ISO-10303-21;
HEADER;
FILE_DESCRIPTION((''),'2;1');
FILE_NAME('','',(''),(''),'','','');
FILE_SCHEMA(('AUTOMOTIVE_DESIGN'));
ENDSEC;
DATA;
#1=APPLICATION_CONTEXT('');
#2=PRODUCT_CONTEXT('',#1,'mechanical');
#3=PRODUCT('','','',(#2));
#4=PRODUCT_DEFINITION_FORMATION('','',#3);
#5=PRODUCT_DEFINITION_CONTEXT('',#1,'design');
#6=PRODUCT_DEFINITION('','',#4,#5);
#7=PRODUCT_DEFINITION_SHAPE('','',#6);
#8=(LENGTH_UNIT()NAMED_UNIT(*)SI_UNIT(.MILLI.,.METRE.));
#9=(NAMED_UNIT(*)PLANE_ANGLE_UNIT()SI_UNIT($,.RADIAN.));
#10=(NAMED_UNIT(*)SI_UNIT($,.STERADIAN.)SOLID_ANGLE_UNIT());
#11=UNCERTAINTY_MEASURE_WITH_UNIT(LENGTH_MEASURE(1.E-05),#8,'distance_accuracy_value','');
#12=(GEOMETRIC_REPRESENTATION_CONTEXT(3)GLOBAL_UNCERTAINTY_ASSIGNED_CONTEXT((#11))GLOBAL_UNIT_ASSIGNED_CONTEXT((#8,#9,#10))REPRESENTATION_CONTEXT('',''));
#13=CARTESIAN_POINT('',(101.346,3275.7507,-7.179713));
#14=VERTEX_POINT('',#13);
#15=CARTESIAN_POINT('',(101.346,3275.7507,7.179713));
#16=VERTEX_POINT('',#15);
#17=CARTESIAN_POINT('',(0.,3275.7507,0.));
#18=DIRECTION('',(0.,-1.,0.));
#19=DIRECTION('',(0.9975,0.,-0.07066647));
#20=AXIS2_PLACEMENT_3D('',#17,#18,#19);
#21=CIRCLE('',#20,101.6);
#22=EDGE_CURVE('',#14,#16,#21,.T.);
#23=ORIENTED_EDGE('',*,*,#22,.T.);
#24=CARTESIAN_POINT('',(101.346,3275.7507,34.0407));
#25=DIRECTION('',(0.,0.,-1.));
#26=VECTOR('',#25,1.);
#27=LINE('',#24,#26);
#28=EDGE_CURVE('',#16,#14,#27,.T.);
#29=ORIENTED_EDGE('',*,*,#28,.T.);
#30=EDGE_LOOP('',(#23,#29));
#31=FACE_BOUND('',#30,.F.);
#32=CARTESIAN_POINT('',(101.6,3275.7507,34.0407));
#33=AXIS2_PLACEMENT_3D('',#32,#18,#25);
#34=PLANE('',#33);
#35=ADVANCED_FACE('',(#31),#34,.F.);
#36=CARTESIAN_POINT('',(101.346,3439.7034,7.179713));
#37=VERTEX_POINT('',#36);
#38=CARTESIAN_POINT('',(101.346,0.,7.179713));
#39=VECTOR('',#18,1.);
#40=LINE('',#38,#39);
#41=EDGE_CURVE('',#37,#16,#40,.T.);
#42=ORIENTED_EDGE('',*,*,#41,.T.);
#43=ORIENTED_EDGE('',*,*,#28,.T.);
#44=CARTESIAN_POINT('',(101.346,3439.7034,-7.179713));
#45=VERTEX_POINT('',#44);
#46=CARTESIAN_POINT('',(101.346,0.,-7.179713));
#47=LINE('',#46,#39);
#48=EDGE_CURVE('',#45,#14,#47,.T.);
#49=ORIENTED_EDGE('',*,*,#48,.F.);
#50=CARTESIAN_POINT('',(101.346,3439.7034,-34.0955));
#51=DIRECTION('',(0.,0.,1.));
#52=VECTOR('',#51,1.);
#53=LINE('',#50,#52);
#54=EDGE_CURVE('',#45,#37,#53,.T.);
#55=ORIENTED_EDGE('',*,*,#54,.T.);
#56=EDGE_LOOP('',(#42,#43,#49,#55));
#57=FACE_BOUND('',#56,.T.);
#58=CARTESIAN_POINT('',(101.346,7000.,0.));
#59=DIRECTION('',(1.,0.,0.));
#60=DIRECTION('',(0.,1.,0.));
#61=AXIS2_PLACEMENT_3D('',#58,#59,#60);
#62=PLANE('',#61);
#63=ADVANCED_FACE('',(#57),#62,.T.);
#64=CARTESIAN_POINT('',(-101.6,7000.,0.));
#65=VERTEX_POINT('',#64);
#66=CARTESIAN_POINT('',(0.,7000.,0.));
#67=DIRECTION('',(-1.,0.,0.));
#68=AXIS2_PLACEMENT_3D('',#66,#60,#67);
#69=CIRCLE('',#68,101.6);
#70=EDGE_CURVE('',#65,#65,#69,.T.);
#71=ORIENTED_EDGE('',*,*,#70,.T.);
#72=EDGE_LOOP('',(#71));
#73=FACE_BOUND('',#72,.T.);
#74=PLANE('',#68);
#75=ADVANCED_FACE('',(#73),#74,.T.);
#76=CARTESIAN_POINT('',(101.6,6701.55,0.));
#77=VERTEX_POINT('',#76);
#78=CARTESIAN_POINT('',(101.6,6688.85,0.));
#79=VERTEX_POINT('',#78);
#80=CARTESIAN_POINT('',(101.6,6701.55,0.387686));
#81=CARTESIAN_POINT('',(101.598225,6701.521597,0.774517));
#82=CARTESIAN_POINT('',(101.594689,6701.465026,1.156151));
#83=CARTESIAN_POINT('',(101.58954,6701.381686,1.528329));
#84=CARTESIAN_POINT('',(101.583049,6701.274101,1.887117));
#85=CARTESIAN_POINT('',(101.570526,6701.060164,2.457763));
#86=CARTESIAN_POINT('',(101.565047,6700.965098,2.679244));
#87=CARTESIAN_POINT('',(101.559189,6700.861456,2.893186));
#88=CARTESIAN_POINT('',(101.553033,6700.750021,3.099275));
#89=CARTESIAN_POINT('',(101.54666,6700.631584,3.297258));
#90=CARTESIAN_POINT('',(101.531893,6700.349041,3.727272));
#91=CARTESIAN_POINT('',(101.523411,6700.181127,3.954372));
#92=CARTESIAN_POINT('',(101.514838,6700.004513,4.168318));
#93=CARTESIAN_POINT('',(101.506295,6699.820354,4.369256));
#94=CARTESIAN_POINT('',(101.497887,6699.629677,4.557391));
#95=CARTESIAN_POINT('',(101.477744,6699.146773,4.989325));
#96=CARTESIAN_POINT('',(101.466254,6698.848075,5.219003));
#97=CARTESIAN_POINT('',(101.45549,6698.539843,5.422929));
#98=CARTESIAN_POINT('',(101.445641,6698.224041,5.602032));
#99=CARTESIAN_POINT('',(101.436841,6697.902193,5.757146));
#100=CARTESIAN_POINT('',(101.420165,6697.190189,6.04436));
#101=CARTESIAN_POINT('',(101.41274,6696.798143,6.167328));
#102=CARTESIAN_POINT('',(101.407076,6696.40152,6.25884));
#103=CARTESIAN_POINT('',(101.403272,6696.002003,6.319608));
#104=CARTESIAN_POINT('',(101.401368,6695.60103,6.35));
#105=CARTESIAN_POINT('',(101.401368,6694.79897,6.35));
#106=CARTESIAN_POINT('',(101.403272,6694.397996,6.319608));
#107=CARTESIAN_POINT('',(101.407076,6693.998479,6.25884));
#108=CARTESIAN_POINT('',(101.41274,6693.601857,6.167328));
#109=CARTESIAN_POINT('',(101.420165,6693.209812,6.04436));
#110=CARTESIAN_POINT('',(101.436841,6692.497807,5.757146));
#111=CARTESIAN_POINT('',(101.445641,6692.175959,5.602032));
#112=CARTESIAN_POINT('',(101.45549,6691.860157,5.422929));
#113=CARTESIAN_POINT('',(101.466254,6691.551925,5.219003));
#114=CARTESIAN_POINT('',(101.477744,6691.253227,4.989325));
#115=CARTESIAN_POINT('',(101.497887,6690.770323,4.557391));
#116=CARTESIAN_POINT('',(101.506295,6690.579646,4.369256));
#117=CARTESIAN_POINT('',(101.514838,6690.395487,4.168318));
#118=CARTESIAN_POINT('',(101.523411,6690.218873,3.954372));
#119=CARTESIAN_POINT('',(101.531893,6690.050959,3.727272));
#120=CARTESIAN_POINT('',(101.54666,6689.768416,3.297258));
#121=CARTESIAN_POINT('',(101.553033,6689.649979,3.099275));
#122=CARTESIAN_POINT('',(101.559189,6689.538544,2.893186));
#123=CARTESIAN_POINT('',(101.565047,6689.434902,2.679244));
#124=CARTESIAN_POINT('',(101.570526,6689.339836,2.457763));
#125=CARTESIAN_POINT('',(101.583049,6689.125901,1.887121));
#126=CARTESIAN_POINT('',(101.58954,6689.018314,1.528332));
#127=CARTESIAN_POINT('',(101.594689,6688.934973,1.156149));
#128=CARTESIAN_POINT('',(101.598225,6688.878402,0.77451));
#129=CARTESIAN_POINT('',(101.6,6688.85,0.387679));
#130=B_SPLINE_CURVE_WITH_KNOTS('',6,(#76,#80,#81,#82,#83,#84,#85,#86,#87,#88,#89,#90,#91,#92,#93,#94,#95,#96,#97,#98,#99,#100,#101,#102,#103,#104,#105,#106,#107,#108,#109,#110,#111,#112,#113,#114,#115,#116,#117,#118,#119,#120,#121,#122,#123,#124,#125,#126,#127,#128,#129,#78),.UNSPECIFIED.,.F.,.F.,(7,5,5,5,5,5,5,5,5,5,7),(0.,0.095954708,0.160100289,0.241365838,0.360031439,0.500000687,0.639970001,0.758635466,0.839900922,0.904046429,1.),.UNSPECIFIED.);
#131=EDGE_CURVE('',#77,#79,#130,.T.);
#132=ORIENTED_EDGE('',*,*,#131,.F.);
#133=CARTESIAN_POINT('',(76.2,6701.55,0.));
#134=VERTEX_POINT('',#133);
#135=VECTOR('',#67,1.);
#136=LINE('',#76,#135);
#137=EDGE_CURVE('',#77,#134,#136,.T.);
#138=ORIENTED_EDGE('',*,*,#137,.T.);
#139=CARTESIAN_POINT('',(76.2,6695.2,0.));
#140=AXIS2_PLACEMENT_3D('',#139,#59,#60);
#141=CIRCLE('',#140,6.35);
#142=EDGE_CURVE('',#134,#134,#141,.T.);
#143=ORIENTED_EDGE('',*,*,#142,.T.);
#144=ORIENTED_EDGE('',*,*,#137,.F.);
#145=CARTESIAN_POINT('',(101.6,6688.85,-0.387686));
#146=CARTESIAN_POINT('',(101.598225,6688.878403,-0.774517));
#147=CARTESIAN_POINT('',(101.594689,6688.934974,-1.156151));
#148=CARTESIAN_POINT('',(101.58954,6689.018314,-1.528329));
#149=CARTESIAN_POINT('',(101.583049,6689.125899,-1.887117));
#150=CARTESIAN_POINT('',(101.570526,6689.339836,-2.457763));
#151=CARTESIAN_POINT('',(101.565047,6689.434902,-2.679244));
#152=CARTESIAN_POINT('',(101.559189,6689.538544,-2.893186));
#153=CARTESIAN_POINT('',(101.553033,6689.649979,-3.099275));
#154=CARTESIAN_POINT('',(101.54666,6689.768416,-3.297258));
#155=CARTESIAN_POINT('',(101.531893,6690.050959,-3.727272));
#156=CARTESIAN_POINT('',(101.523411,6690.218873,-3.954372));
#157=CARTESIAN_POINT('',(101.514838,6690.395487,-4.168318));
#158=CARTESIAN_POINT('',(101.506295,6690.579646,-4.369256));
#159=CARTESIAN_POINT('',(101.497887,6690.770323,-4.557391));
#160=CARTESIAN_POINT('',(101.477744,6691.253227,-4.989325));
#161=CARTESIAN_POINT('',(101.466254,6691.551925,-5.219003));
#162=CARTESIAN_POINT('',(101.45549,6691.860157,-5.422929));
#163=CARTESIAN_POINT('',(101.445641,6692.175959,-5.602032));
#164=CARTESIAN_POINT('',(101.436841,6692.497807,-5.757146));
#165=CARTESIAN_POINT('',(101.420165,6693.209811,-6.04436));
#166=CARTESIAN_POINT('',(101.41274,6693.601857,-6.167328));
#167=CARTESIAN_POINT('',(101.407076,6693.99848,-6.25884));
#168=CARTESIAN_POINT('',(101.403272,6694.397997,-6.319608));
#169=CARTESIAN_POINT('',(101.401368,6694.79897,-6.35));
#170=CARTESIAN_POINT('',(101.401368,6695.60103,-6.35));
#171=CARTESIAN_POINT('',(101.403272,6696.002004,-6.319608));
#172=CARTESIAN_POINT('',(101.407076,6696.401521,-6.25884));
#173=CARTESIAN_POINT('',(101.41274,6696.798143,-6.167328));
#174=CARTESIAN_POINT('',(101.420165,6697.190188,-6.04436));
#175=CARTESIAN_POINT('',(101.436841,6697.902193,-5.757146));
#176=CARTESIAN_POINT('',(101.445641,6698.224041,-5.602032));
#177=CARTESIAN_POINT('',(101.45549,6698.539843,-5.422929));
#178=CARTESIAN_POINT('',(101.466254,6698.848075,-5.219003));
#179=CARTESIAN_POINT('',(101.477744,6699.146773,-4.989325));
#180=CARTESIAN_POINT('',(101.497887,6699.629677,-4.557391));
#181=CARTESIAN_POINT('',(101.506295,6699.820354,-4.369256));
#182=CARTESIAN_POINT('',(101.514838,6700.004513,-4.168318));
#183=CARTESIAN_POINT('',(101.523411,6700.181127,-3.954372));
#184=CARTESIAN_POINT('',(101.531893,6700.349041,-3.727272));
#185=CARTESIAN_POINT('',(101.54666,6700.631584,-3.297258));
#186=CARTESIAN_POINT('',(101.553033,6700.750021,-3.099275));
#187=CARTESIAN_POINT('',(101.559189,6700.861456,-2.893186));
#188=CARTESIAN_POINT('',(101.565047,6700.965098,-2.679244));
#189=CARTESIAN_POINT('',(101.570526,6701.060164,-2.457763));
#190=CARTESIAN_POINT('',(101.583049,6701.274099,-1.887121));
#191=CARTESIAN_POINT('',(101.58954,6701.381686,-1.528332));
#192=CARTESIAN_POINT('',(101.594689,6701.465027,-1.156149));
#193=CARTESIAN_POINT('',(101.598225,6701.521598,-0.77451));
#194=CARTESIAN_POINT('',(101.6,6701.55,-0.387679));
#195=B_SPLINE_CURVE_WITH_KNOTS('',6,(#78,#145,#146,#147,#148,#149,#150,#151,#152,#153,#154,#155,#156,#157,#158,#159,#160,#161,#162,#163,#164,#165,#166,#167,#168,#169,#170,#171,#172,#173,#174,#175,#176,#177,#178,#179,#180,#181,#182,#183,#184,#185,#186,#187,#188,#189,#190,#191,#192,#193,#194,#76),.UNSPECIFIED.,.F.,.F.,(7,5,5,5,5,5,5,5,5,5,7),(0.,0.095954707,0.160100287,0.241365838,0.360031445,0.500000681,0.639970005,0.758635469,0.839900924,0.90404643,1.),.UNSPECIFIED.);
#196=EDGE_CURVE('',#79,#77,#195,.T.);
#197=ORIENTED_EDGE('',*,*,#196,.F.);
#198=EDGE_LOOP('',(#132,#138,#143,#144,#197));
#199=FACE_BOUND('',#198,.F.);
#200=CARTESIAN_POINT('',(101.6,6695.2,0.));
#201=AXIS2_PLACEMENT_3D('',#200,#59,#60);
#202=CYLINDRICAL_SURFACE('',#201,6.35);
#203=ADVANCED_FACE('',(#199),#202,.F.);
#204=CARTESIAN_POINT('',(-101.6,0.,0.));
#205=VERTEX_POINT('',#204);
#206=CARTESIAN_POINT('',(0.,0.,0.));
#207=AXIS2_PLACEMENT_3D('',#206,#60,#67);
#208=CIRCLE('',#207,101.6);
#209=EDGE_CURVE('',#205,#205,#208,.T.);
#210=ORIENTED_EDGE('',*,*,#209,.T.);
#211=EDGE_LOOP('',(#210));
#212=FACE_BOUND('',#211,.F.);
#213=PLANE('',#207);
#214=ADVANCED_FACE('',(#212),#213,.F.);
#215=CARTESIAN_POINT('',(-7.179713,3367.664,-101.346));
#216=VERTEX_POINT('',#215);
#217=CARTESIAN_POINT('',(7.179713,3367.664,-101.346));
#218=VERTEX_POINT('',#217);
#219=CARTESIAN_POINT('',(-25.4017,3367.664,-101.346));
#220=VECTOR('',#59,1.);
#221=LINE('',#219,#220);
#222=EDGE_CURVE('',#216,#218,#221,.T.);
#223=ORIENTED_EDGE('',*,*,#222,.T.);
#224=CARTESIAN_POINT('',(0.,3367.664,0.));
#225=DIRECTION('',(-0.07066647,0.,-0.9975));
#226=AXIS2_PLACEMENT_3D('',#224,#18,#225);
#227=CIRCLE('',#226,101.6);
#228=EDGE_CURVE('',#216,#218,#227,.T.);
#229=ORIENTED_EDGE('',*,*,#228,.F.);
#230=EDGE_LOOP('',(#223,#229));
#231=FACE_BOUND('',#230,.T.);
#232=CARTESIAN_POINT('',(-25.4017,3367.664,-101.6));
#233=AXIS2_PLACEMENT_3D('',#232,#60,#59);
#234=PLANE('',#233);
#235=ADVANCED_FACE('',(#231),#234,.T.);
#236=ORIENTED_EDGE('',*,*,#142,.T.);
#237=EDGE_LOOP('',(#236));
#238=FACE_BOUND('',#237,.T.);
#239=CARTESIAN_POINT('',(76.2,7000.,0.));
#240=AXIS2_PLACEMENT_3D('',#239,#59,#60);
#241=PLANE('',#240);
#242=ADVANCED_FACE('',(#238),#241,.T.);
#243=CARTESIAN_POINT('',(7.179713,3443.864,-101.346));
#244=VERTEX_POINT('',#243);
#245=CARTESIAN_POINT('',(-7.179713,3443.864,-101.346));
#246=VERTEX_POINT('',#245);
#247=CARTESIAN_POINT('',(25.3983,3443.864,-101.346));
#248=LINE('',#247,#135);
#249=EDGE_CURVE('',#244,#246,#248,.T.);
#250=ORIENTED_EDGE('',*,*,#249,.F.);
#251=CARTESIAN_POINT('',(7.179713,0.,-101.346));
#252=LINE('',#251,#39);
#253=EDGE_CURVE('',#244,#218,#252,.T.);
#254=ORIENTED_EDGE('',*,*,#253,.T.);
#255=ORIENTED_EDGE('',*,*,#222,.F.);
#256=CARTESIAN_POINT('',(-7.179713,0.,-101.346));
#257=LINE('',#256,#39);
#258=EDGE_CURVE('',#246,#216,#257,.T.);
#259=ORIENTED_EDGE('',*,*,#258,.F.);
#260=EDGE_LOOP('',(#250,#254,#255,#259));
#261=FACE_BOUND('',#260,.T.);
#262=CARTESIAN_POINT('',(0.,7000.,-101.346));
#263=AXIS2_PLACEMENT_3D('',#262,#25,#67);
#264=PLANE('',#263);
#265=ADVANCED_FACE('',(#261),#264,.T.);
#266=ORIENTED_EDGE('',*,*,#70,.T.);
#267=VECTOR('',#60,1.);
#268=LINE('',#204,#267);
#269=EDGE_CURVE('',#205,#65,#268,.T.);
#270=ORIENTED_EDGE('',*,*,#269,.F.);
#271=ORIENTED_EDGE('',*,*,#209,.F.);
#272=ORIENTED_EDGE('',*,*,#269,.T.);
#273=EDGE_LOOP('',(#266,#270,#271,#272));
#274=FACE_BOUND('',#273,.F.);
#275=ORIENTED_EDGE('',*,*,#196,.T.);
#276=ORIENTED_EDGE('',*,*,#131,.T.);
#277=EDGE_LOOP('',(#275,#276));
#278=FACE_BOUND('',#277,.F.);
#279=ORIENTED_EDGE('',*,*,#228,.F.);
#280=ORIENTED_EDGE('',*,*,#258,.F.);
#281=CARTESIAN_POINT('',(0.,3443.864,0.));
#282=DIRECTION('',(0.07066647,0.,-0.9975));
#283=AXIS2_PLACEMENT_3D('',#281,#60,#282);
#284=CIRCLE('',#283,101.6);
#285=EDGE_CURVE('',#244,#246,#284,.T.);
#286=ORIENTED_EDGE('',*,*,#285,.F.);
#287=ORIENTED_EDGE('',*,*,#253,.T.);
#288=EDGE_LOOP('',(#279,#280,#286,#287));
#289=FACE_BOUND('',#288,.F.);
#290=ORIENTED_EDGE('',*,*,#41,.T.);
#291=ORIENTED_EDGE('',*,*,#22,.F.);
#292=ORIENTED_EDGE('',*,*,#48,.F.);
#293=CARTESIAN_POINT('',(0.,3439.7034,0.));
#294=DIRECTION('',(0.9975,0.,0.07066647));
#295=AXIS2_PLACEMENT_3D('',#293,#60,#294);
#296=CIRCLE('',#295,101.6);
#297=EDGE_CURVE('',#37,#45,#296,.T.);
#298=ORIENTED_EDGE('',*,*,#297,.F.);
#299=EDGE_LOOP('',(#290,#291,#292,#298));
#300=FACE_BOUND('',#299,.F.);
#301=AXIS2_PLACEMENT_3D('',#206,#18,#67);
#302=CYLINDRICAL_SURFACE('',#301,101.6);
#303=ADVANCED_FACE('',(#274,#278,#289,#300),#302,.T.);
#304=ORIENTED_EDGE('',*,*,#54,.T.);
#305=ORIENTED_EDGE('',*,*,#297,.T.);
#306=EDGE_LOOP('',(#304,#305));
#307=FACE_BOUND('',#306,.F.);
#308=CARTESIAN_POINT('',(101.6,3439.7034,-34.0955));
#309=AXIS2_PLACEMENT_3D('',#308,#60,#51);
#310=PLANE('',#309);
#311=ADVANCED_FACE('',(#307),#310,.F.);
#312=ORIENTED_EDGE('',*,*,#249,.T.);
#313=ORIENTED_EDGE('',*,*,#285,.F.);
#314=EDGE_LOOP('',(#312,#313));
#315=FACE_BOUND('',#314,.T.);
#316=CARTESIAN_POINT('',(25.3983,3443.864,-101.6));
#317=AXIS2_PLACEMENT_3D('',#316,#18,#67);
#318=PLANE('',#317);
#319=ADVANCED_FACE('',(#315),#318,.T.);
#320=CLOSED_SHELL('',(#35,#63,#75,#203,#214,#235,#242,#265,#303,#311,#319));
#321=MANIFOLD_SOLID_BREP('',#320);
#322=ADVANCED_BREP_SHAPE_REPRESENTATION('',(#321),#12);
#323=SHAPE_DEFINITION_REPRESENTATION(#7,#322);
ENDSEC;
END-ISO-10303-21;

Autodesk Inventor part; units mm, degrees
ref_plane "YZ Plane" through (0, 0, 0) normal (1, 0, 0) x (0, 1, 0)
sketch "Sketch1" plane through (0, 0, 0) normal (0, 1, 0) x (-1, 0, 0)
  circle A0 centre (0, 0) radius 101.6
  dimension "d0" = 203.2
extrude "Extrusion1" add sketch "Sketch1" along normal blind 7000
sketch "Sketch2" plane through (0, 0, 0) normal (0, -1, 0) x (1, 0, 0)
  circle A0 centre (0, 0) radius 101.6 projected
extrude "Extrusion2" [suppressed]
sketch "Sketch3" plane through (0, 7000, 0) normal (0, 1, 0) x (1, 0, 0)
  circle A0 centre (0, 0) radius 101.6 projected
  point P0 (101.6, 0)
ref_plane "Work Plane1" through (101.6, 7000, 0) normal (1, 0, 0) x (0, 1, 0)
sketch "Sketch4" plane through (101.6, 7000, 0) normal (1, 0, 0) x (0, 1, 0)
  line L0 (-3724.2493, -34.0955) -> (-3560.2966, -34.0955)
  line L1 (-3560.2966, -34.0955) -> (-3560.2966, 34.0407)
  line L2 (-3560.2966, 34.0407) -> (-3724.2493, 34.0407)
  line L3 (-3724.2493, 34.0407) -> (-3724.2493, -34.0955)
  line L4 (-3724.2493, -0.0274) -> (-3560.2966, -0.0274) construction
  point P0 (-7000, 0)
extrude "poleStandRadialRef" cut sketch "Sketch4" against normal blind 0.254
sketch "Sketch5" plane through (0, 7000, 0) normal (0, 1, 0) x (1, 0, 0)
  circle A0 centre (0, 0) radius 101.6 projected
  point P0 (0, 101.6)
ref_plane "Work Plane2" through (0, 7000, -101.6) normal (0, 0, -1) x (-1, 0, 0)
sketch "Sketch6" plane through (0, 7000, -101.6) normal (0, 0, -1) x (-1, 0, 0)
  line L0 (-25.3983, -3556.136) -> (25.4017, -3556.136)
  line L1 (25.4017, -3556.136) -> (25.4017, -3632.336)
  line L2 (25.4017, -3632.336) -> (-25.3983, -3632.336)
  line L3 (-25.3983, -3632.336) -> (-25.3983, -3556.136)
  line L4 (0.0017, -3556.136) -> (0.0017, -3632.336) construction
  point P0 (0, -7000)
  dimension "d7" = 50.8
  dimension "d8" = 76.2
extrude "poleStandOffsetRef" cut sketch "Sketch6" against normal blind 0.254
sketch "Sketch7" plane through (101.6, 7000, 0) normal (1, 0, 0) x (0, 1, 0)
  circle A0 centre (-304.8, 0) radius 6.35
  line L0 (0, -101.6) -> (0, 101.6) projected
  point P0 (-7000, 0)
  dimension "d11" = 12.7
  dimension "d12" = 304.8
extrude "eyeBoltHole" cut sketch "Sketch7" against normal blind 25.4
properties part number "2p2pol" material "Wood (Maple)"
